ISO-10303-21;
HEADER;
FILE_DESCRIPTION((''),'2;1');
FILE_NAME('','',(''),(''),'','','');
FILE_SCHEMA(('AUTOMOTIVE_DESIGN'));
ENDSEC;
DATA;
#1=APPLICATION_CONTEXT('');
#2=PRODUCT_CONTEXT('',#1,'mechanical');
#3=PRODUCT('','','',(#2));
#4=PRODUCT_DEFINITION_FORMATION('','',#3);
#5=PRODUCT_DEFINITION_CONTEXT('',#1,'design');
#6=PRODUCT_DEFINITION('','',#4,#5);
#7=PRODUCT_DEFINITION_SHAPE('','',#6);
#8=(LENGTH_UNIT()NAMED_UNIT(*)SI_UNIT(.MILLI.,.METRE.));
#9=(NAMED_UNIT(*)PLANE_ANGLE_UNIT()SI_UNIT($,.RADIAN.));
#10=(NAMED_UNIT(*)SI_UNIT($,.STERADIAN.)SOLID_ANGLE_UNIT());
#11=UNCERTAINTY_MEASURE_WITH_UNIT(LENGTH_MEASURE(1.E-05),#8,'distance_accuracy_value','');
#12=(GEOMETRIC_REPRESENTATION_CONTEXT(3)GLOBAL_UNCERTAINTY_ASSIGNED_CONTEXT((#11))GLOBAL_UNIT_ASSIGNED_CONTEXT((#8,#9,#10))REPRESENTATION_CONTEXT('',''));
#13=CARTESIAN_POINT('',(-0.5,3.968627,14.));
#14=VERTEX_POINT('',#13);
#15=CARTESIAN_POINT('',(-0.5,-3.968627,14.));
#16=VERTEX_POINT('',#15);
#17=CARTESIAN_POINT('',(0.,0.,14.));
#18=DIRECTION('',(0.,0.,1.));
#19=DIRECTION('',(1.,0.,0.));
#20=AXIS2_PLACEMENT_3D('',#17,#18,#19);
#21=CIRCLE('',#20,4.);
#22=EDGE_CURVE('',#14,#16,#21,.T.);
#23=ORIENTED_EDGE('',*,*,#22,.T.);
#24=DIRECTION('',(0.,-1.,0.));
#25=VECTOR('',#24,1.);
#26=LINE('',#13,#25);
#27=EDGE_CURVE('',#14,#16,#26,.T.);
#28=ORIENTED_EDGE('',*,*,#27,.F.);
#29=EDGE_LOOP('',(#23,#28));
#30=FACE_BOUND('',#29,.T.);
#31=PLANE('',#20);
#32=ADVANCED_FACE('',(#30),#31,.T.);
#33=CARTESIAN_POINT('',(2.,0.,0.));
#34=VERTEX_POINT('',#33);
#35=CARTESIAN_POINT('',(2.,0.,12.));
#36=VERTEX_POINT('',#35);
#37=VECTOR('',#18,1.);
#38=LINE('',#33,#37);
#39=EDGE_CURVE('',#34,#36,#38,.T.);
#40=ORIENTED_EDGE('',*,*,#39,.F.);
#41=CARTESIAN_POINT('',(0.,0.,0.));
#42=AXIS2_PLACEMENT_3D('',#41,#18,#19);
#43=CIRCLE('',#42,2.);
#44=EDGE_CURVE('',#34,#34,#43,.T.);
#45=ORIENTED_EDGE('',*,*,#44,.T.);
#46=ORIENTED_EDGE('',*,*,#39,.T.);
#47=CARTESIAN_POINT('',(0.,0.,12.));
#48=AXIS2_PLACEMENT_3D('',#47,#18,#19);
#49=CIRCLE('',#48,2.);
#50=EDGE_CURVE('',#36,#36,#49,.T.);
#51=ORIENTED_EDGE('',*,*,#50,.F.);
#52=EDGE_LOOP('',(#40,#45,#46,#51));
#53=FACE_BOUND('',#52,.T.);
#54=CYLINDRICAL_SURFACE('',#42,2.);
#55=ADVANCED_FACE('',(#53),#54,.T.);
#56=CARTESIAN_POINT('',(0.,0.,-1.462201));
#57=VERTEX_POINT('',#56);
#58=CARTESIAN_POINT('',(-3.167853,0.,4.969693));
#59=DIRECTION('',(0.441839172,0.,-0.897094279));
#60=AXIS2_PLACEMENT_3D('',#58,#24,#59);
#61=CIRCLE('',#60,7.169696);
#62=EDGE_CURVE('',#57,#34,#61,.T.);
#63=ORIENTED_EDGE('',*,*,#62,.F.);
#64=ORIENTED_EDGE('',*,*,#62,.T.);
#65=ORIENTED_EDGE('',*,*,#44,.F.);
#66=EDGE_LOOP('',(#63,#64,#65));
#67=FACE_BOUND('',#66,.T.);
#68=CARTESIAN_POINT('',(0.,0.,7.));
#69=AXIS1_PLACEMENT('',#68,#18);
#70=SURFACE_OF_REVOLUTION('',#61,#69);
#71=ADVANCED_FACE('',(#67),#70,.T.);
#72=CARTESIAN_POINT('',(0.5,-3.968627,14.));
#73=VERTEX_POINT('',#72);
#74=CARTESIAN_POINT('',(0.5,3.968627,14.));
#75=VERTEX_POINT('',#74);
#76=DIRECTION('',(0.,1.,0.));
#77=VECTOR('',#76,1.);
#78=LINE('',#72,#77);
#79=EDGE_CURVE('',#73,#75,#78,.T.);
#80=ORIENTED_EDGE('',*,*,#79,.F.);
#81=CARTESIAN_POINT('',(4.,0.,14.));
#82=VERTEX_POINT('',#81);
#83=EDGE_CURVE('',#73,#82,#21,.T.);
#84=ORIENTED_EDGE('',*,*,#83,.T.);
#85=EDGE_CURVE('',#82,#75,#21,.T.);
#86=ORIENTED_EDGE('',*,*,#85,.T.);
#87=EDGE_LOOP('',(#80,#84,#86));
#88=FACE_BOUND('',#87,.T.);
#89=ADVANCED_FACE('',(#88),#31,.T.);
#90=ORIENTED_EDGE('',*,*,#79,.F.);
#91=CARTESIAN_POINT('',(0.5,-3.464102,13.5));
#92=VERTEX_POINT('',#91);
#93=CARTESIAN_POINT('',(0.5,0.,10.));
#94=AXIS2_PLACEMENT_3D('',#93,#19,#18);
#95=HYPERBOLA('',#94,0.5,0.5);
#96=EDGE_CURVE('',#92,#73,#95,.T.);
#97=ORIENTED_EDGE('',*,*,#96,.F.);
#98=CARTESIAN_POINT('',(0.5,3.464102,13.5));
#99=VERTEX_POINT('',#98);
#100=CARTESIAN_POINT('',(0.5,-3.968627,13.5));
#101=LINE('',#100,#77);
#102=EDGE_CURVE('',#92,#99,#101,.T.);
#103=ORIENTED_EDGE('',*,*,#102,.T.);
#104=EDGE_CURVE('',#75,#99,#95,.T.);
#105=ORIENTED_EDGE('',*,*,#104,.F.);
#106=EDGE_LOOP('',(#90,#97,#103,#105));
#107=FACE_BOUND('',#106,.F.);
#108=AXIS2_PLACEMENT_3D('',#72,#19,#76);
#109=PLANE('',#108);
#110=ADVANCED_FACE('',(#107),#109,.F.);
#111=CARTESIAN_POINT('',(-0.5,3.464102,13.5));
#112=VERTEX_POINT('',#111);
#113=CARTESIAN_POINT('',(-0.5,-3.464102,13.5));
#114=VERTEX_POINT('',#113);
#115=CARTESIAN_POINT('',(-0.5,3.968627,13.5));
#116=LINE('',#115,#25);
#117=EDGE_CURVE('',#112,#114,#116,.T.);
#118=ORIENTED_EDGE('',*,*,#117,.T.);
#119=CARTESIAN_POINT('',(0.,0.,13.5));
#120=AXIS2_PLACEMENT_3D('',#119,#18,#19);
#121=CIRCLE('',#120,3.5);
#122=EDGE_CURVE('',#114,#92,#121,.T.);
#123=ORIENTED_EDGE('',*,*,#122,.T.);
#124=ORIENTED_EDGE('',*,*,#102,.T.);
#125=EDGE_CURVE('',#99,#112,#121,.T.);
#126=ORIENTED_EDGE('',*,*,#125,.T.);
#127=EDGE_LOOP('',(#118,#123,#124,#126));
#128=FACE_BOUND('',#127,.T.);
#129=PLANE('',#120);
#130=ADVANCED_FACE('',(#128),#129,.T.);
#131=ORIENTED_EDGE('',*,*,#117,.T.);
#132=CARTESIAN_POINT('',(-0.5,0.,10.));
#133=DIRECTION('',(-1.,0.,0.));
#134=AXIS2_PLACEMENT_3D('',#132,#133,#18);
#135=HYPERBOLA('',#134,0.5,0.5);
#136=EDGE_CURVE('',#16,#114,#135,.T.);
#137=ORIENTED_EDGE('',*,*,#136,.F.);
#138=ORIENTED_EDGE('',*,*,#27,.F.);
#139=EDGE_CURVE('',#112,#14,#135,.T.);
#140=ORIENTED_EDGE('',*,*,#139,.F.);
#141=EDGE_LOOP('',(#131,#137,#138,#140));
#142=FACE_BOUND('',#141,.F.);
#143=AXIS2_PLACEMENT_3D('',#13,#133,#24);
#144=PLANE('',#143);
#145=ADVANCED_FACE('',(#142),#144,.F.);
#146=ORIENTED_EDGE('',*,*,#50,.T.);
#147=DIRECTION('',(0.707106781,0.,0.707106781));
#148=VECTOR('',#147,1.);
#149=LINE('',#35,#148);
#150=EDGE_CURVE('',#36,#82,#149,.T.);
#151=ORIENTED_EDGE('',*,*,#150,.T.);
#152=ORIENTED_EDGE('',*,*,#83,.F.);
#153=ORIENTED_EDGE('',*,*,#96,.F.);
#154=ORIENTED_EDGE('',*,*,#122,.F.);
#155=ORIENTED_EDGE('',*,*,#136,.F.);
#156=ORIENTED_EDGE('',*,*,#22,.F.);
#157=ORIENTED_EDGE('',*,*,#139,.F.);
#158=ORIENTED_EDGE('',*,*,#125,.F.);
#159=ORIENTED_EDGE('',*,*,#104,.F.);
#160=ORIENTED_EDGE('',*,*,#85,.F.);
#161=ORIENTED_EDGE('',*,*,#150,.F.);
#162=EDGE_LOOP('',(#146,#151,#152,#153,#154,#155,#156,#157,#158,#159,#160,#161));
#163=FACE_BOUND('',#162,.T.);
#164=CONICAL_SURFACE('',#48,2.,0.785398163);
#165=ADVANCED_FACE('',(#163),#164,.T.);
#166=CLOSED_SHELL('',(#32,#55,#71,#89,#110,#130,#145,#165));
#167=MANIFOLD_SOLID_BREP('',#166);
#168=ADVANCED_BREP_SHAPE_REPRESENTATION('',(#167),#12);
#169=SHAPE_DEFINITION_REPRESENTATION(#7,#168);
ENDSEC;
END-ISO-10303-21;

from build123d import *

# Parameters (mm, degrees)
F3_DEPTH = 0.5


with BuildPart() as f1:
    # F0 (on Front) → F1 (revolve)
    with BuildSketch(Plane.XZ):
        with BuildLine():
            Line((0, 14), (0, 0))
            Line((0, 0), (0, -1.462201))
            ThreePointArc((0, -1.462201), (1.063637, -0.818143), (2, 0))
            Line((2, 0), (2, 12))
            Line((2, 12), (4, 14))
            Line((4, 14), (0, 14))
        make_face()
    revolve(axis=Axis((0, 0, 7), (0, 0, 1)))

    # F2 (on face) → F3 (cut)
    with BuildSketch(Plane.XY.offset(14)):
        with BuildLine():
            Line((-0.5, 3.968627), (-0.5, -3.968627))
            ThreePointArc((-0.5, -3.968627), (0, -4), (0.5, -3.968627))
            Line((0.5, -3.968627), (0.5, 3.968627))
            ThreePointArc((0.5, 3.968627), (0, 4), (-0.5, 3.968627))
        make_face()
    extrude(amount=-F3_DEPTH, mode=Mode.SUBTRACT)


solid = f1.part
